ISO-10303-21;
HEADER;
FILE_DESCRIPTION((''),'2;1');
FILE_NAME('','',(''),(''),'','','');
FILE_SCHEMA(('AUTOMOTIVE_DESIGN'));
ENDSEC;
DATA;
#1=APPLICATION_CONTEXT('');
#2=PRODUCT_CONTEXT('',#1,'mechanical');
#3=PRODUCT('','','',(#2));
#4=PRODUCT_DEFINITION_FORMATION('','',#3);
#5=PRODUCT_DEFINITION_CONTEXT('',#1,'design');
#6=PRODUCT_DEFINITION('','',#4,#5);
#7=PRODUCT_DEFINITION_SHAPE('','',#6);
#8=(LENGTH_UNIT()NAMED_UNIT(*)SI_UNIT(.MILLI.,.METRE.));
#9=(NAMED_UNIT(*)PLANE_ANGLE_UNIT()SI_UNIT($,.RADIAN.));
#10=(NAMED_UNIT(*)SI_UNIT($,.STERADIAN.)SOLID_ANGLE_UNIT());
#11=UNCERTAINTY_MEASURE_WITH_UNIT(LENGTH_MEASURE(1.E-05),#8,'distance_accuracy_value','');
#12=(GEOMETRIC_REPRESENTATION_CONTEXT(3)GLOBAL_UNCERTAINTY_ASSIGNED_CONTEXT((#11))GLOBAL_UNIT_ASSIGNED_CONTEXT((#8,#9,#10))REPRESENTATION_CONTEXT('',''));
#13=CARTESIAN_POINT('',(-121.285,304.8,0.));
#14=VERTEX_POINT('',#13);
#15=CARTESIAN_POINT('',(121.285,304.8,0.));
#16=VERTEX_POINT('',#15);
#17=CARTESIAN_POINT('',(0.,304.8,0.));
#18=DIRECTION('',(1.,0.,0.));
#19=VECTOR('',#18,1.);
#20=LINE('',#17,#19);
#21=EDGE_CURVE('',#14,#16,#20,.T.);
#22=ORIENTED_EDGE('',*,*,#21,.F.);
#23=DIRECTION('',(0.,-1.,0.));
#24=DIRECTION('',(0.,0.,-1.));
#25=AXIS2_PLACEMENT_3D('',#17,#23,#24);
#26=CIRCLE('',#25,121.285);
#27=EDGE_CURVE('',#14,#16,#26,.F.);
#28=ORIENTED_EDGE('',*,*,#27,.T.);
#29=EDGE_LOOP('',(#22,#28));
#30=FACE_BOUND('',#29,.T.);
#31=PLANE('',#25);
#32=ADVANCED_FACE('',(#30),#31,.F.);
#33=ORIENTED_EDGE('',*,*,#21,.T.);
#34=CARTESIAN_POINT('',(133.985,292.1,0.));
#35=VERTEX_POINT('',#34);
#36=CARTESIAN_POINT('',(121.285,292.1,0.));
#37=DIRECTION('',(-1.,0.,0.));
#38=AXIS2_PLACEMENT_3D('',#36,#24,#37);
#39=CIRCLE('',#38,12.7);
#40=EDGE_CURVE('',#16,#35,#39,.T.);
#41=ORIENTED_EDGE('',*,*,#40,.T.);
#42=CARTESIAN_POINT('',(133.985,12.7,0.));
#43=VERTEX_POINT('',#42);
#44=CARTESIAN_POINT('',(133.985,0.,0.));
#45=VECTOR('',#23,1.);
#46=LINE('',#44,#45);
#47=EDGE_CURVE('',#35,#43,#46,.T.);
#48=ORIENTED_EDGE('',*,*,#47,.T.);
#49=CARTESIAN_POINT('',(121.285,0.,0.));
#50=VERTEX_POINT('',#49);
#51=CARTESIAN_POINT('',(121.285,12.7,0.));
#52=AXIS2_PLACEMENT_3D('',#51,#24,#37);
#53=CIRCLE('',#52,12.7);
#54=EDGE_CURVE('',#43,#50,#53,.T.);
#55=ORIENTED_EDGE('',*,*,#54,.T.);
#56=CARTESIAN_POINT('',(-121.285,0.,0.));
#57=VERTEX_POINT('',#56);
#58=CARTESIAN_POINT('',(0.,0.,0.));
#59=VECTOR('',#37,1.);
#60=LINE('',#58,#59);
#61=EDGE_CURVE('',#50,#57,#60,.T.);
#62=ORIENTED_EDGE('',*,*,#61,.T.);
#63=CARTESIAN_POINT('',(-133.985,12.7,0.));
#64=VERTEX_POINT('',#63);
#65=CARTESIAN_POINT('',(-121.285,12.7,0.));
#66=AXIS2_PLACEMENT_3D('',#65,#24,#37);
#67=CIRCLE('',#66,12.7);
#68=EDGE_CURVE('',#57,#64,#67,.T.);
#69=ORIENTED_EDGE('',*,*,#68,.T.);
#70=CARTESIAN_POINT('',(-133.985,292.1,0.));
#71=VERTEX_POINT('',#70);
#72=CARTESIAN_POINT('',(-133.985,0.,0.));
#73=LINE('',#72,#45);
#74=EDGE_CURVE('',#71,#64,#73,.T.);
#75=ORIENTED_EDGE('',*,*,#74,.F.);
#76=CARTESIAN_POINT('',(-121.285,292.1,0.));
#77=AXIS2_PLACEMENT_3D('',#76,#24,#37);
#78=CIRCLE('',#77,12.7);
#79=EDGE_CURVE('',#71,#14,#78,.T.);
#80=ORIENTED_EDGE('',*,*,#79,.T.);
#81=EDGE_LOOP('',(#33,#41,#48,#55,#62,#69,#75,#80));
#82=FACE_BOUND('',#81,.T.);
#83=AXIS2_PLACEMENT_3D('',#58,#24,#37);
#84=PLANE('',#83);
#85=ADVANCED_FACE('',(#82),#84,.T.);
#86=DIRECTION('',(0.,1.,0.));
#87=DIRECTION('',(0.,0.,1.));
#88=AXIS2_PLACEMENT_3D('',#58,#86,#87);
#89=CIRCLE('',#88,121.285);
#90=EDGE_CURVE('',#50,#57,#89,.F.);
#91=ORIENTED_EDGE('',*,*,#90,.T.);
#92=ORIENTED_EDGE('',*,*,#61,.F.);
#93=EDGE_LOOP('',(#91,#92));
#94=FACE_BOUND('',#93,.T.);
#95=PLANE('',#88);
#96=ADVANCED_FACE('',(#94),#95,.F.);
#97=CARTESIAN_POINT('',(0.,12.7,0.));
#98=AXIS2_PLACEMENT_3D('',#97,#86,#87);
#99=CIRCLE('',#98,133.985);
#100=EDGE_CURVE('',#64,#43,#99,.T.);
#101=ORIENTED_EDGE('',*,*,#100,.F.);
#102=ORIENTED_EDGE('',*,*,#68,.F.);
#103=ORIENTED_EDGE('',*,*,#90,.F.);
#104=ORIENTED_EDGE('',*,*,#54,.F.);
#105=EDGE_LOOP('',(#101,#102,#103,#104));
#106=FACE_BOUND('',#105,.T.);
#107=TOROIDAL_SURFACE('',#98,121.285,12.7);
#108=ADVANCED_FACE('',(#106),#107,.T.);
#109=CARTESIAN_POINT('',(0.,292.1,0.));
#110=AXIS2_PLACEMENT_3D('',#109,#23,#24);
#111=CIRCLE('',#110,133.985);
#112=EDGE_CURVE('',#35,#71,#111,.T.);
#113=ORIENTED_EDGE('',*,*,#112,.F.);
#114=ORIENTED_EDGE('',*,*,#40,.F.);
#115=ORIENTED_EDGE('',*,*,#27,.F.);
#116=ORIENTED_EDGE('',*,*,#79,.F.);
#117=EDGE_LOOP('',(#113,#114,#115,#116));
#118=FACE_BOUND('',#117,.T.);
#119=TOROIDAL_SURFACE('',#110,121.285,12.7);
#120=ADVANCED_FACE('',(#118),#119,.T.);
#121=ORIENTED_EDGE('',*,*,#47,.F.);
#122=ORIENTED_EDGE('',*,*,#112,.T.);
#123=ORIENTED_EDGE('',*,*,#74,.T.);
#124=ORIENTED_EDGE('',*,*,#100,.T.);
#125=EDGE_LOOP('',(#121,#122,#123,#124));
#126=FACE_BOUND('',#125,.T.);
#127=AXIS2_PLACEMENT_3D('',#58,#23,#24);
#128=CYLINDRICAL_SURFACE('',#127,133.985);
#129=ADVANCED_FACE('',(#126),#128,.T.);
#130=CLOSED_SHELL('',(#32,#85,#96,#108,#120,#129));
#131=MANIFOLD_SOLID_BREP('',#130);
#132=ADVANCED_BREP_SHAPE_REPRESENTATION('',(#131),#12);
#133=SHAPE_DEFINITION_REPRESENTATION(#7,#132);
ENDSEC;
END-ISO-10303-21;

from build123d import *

# Parameters (mm, degrees)
SKETCH1_W      = 133.985
SKETCH1_H      = 304.8
REVOLVE1_ANGLE = 180
FILLET1_R      = 12.7


with BuildPart() as part:
    # Sketch1 → Revolve1 (revolve)
    with BuildSketch(Plane.XY):
        with Locations((-66.9925, 152.4)):
            Rectangle(SKETCH1_W, SKETCH1_H)
    revolve(axis=Axis((0, 0, 0), (0, 1, 0)), revolution_arc=REVOLVE1_ANGLE)

    # Fillet1
    fillet1_edges = [part.edges().sort_by_distance(p)[0] for p in [
        (0, 0, 133.985),
        (0, 304.8, 133.985),
    ]]
    fillet(fillet1_edges, radius=FILLET1_R)


solid = part.part
